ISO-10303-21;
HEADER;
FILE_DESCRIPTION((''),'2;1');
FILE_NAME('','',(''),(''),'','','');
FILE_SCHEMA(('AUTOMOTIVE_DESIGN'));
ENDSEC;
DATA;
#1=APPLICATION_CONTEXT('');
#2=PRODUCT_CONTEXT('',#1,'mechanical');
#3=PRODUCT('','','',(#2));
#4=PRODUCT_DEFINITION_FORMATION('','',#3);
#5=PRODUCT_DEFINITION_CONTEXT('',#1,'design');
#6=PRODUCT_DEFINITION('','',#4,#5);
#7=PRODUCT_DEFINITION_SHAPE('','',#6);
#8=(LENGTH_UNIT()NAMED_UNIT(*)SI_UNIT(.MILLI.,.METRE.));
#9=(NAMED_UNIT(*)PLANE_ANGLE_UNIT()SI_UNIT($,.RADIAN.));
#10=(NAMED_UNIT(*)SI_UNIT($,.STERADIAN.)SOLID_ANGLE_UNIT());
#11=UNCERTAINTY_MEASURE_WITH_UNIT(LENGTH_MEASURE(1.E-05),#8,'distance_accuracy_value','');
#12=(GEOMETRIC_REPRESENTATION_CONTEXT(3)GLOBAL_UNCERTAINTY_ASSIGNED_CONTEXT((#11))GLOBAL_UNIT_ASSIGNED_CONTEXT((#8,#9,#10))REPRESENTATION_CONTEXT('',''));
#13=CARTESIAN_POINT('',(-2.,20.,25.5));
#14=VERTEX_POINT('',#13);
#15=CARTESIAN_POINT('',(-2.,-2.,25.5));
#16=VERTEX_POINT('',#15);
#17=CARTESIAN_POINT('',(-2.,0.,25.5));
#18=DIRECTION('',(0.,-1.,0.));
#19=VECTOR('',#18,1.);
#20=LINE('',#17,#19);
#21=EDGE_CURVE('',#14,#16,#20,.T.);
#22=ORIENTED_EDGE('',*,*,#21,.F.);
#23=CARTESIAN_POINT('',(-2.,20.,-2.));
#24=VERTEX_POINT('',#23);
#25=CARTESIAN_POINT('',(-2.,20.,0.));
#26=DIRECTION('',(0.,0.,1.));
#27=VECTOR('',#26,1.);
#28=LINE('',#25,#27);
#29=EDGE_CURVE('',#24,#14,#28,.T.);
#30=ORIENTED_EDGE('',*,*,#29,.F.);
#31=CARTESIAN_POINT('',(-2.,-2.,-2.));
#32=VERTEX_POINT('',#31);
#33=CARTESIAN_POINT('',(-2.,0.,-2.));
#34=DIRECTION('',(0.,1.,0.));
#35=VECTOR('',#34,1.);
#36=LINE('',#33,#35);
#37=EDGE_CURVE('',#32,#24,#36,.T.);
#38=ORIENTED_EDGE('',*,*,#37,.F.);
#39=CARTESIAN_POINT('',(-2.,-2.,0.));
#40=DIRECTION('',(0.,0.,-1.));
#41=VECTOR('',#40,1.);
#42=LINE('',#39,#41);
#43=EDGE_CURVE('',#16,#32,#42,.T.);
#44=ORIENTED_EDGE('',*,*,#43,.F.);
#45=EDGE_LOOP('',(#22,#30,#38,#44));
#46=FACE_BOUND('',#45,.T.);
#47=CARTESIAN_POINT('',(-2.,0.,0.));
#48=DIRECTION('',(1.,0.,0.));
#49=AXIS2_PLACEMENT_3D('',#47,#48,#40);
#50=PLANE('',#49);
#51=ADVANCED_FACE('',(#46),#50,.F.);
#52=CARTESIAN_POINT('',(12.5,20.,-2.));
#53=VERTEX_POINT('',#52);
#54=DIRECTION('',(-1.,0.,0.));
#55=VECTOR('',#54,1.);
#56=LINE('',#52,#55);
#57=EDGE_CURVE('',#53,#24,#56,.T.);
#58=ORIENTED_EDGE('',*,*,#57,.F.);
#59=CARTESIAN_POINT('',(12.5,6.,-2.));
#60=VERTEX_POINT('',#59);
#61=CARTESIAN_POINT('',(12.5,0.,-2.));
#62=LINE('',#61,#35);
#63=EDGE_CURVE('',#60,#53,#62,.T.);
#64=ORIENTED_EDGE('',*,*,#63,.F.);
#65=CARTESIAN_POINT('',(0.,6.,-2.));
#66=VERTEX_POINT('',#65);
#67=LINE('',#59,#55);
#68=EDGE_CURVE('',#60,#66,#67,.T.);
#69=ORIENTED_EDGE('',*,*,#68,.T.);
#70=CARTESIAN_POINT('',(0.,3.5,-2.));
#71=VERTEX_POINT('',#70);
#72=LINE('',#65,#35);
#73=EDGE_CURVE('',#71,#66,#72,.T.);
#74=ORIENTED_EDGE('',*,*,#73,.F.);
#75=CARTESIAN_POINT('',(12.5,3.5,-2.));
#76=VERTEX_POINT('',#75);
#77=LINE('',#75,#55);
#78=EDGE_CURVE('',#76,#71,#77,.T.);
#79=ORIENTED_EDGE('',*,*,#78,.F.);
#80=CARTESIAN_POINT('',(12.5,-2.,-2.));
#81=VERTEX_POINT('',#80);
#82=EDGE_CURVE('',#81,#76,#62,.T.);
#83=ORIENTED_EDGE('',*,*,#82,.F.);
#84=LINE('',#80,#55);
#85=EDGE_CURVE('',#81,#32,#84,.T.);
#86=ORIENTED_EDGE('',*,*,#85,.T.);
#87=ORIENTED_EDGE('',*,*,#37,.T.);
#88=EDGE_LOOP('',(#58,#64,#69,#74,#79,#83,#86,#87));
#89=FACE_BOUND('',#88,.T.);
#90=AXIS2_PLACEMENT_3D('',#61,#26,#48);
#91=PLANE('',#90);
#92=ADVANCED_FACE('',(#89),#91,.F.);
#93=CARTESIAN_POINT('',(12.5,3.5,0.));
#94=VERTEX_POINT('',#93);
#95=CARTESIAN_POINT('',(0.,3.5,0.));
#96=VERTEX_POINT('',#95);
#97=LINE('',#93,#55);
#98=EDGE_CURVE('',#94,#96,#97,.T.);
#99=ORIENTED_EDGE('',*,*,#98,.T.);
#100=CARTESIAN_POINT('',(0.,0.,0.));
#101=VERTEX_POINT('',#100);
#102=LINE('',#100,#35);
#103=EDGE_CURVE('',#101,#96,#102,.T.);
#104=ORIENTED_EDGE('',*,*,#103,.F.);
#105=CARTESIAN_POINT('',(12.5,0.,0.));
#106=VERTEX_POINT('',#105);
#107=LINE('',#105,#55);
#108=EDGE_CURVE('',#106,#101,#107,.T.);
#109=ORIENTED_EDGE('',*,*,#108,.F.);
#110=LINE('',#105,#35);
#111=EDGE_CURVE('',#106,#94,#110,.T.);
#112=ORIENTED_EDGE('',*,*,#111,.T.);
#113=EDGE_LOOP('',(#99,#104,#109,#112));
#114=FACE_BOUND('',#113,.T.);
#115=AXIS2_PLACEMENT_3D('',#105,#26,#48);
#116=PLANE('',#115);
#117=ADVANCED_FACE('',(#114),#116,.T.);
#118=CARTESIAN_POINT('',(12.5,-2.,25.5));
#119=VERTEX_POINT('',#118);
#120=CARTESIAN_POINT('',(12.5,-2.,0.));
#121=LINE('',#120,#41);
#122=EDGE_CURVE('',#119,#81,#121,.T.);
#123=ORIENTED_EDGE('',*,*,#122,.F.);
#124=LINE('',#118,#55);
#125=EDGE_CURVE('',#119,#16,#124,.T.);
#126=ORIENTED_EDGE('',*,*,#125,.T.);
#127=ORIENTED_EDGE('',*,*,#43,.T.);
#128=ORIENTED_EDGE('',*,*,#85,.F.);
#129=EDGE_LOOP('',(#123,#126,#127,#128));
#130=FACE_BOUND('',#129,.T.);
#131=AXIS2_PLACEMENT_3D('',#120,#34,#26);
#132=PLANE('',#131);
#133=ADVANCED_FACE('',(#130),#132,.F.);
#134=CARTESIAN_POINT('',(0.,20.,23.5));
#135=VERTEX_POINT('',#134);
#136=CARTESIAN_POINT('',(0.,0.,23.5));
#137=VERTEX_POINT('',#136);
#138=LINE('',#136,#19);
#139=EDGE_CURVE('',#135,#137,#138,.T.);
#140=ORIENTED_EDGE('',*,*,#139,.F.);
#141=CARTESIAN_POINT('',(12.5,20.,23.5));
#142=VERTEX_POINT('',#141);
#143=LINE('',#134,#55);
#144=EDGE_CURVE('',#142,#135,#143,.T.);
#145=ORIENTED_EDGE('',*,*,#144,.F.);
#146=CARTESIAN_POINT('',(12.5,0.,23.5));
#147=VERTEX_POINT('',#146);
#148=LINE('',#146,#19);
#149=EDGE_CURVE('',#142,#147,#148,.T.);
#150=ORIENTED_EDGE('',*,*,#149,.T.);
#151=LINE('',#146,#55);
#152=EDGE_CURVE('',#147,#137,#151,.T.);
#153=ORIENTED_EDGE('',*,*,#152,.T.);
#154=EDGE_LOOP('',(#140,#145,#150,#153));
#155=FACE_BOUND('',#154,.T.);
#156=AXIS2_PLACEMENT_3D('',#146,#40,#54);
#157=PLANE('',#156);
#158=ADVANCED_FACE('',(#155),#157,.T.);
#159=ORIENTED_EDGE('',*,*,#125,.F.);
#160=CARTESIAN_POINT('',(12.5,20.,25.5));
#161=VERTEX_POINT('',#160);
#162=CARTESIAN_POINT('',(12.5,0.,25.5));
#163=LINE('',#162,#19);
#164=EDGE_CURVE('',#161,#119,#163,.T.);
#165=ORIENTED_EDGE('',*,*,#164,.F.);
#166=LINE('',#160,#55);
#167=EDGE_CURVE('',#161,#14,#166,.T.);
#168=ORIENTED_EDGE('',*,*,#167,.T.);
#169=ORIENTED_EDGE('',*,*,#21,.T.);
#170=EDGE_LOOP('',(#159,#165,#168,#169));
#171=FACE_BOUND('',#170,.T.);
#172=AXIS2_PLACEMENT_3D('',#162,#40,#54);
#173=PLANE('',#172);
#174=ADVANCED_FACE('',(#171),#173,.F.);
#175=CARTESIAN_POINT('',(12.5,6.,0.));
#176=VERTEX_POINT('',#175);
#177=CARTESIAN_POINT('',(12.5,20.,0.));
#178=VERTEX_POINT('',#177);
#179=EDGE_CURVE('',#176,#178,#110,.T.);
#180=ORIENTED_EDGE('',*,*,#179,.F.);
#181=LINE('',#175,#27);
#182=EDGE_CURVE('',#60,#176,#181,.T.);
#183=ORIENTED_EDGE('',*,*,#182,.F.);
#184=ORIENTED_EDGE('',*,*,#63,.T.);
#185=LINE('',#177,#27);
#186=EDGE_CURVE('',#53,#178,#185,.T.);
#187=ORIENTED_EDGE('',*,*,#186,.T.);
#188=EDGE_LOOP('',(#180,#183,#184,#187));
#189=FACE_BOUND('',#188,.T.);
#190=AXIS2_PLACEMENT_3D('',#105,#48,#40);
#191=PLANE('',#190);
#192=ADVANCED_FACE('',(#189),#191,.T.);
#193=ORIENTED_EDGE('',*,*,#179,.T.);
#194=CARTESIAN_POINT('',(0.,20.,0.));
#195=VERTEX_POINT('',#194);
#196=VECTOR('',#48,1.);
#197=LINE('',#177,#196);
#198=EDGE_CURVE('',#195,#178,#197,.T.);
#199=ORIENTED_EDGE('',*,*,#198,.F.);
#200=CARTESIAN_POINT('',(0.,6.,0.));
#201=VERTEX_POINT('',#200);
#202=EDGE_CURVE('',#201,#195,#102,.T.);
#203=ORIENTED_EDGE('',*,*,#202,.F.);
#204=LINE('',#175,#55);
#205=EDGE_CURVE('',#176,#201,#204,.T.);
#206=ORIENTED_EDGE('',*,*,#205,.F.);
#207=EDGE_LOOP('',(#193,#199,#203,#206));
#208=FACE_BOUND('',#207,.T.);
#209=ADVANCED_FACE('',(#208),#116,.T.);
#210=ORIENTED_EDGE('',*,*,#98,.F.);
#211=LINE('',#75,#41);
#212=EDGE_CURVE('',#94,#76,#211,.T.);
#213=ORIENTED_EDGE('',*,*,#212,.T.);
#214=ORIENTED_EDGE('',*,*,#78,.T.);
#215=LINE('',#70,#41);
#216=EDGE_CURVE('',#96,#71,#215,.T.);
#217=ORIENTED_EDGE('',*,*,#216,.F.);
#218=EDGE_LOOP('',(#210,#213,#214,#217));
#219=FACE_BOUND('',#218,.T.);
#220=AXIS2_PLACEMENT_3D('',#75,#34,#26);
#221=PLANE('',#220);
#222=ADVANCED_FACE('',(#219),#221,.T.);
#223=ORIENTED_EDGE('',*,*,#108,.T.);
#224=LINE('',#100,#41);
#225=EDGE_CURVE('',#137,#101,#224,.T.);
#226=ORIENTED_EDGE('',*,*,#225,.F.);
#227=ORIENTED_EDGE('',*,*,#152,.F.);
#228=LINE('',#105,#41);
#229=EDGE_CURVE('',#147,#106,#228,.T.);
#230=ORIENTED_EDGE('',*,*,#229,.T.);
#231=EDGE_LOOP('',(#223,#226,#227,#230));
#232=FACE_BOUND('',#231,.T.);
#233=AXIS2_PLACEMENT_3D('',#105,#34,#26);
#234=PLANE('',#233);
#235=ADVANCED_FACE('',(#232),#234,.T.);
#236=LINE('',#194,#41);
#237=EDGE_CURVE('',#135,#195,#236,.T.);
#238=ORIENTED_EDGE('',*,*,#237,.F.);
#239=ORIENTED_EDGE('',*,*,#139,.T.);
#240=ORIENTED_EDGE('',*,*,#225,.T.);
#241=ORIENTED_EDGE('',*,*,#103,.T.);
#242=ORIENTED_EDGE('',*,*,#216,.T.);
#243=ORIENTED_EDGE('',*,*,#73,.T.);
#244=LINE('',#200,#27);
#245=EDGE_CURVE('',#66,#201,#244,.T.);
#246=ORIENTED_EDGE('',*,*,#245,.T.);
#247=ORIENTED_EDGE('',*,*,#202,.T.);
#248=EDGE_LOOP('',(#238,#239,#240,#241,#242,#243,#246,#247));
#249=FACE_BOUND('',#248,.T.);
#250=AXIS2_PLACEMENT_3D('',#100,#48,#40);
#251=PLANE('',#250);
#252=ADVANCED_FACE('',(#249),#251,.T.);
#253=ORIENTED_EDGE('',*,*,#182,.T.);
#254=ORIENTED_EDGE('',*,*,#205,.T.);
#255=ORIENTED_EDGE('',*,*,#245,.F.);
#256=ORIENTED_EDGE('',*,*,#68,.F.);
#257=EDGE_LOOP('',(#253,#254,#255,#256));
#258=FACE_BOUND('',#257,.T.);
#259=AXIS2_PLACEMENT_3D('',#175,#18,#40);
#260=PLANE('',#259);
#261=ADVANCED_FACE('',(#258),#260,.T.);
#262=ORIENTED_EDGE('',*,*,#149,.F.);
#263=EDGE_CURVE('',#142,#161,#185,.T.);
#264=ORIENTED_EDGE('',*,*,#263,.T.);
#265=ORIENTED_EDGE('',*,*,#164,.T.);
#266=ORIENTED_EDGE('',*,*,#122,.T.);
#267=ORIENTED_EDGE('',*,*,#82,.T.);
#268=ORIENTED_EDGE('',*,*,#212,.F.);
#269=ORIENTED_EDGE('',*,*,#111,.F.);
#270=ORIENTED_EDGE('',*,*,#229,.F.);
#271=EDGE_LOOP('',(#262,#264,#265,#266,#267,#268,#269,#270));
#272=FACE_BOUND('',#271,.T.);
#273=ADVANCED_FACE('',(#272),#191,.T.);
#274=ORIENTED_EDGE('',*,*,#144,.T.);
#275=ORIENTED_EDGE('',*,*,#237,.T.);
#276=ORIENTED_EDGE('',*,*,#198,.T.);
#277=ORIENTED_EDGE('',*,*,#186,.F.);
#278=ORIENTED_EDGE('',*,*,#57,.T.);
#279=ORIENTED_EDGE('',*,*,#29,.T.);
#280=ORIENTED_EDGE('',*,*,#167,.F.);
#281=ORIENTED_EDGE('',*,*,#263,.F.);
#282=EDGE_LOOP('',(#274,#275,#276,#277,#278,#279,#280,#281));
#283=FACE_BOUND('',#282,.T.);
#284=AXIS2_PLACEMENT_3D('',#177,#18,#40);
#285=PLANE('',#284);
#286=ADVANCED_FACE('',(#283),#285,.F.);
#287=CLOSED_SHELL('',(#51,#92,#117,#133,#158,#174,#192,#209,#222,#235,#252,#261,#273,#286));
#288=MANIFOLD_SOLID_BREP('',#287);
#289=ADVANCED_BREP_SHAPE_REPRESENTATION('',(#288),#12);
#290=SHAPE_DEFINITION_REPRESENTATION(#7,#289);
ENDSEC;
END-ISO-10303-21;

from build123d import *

# Parameters (mm, degrees)
SKETCH_2_W          = 23.5
SKETCH_2_H          = 18
EXTRUDE_1_DEPTH     = 12.5
SHELL_7_T           = 2
SKETCH_4_W          = 2
SKETCH_4_H          = 2.5
CUT_EXTRUDE_3_DEPTH = 35.734708866
SKETCH_6_W          = 12.5
SKETCH_6_H          = 23.5
CUT_EXTRUDE_4_DEPTH = 35.734708866


with BuildPart() as part:
    # Эскиз2 → Бобышка-Вытянуть1 (new body)
    with BuildSketch(Plane(origin=(0, 0, 0), x_dir=(0, 0, -1), z_dir=(1, 0, 0))):
        with Locations((-11.75, 9)):
            Rectangle(SKETCH_2_W, SKETCH_2_H)
    extrude(amount=EXTRUDE_1_DEPTH)

    # Оболочка7
    shell_7_openings = [part.faces().sort_by_distance(p)[0] for p in [
        (12.5, 9, 11.75),
    ]]
    offset(amount=SHELL_7_T, openings=shell_7_openings, kind=Kind.INTERSECTION)

    # Эскиз4 → Вырез-Вытянуть3 (cut, through all)
    with BuildSketch(Plane(origin=(0, 0, 0), x_dir=(0, 0, -1), z_dir=(1, 0, 0))):
        with Locations((1, 4.75)):
            Rectangle(SKETCH_4_W, SKETCH_4_H)
    extrude(amount=CUT_EXTRUDE_3_DEPTH, mode=Mode.SUBTRACT)

    # Эскиз6 → Вырез-Вытянуть4 (cut, through all)
    with BuildSketch(Plane.XZ.offset(-18)):
        with Locations((6.25, 11.75)):
            Rectangle(SKETCH_6_W, SKETCH_6_H)
    extrude(amount=-CUT_EXTRUDE_4_DEPTH, mode=Mode.SUBTRACT)


solid = part.part
